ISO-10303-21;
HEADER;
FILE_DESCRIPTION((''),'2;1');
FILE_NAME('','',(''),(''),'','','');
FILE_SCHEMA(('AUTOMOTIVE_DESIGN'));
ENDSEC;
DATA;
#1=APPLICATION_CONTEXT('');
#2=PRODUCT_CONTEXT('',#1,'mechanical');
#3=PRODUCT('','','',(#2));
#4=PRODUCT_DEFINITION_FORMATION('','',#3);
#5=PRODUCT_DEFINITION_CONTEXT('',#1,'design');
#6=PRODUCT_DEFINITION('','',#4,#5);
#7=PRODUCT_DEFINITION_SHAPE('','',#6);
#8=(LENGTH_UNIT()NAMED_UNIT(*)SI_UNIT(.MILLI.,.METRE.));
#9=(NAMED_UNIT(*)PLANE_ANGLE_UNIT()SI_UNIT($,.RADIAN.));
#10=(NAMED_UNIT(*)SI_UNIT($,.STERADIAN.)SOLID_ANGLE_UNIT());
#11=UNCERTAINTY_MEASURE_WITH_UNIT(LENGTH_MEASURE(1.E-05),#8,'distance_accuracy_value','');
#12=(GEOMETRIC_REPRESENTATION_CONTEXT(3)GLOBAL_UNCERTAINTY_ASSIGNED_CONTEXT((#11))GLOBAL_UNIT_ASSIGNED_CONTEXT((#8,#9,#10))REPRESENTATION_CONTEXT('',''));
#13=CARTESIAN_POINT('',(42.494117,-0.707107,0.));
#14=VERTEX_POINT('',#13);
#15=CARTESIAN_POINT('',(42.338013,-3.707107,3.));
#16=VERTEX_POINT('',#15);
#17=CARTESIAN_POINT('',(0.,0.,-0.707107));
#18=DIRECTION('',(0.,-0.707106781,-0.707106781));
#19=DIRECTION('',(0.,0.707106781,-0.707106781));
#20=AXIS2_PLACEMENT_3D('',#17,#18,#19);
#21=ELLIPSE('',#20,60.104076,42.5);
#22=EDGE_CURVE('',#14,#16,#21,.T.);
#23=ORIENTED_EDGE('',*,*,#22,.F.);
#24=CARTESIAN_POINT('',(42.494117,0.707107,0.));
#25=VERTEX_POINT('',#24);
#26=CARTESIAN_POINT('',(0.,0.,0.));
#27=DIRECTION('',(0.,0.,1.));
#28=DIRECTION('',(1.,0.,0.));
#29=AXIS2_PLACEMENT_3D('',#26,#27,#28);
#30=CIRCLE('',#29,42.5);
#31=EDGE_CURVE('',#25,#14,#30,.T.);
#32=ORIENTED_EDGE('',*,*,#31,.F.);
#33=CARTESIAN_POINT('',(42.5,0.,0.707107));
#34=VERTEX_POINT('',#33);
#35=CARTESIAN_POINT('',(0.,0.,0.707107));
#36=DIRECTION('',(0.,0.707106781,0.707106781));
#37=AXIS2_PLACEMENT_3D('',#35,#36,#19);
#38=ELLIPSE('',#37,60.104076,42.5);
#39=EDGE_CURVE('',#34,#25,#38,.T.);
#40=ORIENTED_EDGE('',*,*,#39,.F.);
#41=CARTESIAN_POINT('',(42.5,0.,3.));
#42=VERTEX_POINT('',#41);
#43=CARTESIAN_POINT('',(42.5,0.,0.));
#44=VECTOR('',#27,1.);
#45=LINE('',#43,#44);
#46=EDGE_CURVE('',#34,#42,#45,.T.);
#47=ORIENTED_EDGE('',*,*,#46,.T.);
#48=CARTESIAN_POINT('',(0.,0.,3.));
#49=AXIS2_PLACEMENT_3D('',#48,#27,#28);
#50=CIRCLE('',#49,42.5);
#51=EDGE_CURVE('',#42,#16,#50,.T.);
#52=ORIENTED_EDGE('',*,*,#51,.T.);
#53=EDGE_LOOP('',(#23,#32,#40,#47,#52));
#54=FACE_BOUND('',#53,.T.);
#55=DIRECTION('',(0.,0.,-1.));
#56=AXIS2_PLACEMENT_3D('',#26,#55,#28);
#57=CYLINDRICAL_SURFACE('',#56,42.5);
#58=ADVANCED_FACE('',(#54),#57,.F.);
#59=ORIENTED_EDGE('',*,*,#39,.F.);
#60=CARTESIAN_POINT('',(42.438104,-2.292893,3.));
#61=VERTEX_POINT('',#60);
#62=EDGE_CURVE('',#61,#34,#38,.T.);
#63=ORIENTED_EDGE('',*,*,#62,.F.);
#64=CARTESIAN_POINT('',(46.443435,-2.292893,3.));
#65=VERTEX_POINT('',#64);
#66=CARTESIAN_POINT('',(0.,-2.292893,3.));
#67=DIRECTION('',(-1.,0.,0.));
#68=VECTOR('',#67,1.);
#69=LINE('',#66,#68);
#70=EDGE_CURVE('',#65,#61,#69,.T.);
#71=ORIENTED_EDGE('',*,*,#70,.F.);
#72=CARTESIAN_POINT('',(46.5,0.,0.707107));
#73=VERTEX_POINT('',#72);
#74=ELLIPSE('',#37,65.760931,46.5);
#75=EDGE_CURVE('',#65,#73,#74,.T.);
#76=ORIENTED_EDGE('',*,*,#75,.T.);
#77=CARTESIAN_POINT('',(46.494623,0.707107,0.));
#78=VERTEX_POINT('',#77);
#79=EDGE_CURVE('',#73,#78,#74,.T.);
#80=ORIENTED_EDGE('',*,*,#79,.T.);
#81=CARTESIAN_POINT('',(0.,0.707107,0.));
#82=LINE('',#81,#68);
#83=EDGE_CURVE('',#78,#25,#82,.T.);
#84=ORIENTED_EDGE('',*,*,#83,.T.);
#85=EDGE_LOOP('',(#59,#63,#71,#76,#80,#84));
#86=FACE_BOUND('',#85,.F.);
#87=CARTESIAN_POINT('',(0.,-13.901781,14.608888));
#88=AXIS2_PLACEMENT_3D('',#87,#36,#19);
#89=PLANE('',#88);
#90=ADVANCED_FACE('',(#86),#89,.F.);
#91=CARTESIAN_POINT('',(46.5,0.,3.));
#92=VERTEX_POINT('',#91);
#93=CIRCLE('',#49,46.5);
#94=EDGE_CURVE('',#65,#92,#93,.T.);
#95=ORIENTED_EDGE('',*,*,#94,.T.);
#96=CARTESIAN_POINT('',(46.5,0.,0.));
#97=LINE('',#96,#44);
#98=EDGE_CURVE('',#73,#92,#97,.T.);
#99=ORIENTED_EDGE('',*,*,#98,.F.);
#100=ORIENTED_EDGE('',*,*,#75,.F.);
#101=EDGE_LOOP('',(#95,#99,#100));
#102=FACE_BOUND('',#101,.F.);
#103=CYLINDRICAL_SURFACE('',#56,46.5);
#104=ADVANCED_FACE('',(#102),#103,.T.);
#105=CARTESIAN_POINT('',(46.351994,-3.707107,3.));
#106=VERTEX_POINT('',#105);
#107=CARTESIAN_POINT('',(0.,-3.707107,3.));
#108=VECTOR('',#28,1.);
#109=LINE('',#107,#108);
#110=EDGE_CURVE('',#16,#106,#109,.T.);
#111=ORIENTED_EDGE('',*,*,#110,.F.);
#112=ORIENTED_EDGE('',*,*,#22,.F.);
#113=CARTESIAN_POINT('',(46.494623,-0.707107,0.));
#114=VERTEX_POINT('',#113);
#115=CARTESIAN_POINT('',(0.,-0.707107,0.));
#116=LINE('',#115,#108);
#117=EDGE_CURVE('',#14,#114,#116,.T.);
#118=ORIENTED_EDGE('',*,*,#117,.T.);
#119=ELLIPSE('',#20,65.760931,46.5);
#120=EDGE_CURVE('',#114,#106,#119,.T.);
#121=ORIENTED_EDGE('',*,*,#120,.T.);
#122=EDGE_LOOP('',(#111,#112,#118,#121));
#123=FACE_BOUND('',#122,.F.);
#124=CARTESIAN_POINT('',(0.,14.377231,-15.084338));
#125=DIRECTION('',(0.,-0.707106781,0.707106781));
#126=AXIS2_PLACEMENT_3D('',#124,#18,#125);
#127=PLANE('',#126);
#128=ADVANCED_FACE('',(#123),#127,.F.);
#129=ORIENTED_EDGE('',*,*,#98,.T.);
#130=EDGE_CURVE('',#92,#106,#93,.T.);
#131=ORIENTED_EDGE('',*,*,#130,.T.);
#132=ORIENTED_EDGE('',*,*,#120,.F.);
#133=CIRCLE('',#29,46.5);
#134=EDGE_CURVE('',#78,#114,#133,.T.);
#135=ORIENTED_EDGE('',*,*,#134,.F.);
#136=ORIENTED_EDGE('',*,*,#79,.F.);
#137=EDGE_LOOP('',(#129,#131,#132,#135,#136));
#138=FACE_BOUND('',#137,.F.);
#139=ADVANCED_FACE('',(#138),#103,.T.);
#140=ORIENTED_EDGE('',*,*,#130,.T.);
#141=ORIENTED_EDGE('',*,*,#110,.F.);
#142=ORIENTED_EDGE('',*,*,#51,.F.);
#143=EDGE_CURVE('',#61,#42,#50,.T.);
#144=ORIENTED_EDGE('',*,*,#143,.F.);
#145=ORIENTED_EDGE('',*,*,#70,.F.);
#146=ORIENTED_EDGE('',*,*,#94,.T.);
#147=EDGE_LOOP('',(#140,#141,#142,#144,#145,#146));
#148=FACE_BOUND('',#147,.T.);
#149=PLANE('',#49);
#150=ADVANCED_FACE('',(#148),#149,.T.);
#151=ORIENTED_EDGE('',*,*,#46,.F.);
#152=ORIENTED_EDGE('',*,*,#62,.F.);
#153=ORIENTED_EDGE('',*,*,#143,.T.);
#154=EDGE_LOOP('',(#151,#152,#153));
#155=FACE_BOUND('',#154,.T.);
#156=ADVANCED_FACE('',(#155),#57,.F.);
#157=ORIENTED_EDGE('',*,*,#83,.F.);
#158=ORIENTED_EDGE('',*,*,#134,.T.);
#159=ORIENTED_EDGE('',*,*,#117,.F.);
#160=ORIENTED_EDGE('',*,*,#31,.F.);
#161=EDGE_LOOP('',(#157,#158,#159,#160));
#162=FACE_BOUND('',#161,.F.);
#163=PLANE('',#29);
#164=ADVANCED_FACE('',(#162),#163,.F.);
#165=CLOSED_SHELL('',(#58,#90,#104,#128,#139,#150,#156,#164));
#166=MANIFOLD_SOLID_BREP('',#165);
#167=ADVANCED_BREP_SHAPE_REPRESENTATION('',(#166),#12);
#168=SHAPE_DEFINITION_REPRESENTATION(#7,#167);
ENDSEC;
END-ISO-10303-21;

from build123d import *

# Parameters (mm, degrees)
SKETCH1_R               = 46.5
SKETCH1_R_2             = 42.5
BOSS_EXTRUDE1_DEPTH     = 3
CUT_EXTRUDE2_REACH      = 67.829
CUT_EXTRUDE2_END_RADIUS = 46.5


with BuildPart() as part:
    # Sketch1 → Boss-Extrude1 (new body)
    with BuildSketch(Plane.XY):
        Circle(SKETCH1_R)
        Circle(SKETCH1_R_2, mode=Mode.SUBTRACT)
    extrude(amount=BOSS_EXTRUDE1_DEPTH)

    # Cut-Extrude2: up to this cylinder (the profile starts inside it)
    cut_extrude2_end = Plane(origin=(0, 0, -0.237725), z_dir=(0, 0, -1)) * Cylinder(CUT_EXTRUDE2_END_RADIUS, 229.658, mode=Mode.PRIVATE)
    # Sketch2 → Cut-Extrude2 (cut, up to the surface)
    with BuildSketch(Plane(origin=(0, 0, 0), x_dir=(0, 0, -1), z_dir=(1, 0, 0)), mode=Mode.PRIVATE) as cut_extrude2_sk1:
        Polygon((-14.60888812, -13.901781339), (14.377231128, 15.08433791), (15.08433791, 14.377231128), (-13.901781339, -14.60888812), align=None)
    cut_extrude2_tool1 = extrude(cut_extrude2_sk1.sketch, amount=CUT_EXTRUDE2_REACH, mode=Mode.PRIVATE) & cut_extrude2_end
    add(cut_extrude2_tool1.solids().sort_by_distance((0, 0.237725, -0.237725))[0], mode=Mode.SUBTRACT)


solid = part.part
